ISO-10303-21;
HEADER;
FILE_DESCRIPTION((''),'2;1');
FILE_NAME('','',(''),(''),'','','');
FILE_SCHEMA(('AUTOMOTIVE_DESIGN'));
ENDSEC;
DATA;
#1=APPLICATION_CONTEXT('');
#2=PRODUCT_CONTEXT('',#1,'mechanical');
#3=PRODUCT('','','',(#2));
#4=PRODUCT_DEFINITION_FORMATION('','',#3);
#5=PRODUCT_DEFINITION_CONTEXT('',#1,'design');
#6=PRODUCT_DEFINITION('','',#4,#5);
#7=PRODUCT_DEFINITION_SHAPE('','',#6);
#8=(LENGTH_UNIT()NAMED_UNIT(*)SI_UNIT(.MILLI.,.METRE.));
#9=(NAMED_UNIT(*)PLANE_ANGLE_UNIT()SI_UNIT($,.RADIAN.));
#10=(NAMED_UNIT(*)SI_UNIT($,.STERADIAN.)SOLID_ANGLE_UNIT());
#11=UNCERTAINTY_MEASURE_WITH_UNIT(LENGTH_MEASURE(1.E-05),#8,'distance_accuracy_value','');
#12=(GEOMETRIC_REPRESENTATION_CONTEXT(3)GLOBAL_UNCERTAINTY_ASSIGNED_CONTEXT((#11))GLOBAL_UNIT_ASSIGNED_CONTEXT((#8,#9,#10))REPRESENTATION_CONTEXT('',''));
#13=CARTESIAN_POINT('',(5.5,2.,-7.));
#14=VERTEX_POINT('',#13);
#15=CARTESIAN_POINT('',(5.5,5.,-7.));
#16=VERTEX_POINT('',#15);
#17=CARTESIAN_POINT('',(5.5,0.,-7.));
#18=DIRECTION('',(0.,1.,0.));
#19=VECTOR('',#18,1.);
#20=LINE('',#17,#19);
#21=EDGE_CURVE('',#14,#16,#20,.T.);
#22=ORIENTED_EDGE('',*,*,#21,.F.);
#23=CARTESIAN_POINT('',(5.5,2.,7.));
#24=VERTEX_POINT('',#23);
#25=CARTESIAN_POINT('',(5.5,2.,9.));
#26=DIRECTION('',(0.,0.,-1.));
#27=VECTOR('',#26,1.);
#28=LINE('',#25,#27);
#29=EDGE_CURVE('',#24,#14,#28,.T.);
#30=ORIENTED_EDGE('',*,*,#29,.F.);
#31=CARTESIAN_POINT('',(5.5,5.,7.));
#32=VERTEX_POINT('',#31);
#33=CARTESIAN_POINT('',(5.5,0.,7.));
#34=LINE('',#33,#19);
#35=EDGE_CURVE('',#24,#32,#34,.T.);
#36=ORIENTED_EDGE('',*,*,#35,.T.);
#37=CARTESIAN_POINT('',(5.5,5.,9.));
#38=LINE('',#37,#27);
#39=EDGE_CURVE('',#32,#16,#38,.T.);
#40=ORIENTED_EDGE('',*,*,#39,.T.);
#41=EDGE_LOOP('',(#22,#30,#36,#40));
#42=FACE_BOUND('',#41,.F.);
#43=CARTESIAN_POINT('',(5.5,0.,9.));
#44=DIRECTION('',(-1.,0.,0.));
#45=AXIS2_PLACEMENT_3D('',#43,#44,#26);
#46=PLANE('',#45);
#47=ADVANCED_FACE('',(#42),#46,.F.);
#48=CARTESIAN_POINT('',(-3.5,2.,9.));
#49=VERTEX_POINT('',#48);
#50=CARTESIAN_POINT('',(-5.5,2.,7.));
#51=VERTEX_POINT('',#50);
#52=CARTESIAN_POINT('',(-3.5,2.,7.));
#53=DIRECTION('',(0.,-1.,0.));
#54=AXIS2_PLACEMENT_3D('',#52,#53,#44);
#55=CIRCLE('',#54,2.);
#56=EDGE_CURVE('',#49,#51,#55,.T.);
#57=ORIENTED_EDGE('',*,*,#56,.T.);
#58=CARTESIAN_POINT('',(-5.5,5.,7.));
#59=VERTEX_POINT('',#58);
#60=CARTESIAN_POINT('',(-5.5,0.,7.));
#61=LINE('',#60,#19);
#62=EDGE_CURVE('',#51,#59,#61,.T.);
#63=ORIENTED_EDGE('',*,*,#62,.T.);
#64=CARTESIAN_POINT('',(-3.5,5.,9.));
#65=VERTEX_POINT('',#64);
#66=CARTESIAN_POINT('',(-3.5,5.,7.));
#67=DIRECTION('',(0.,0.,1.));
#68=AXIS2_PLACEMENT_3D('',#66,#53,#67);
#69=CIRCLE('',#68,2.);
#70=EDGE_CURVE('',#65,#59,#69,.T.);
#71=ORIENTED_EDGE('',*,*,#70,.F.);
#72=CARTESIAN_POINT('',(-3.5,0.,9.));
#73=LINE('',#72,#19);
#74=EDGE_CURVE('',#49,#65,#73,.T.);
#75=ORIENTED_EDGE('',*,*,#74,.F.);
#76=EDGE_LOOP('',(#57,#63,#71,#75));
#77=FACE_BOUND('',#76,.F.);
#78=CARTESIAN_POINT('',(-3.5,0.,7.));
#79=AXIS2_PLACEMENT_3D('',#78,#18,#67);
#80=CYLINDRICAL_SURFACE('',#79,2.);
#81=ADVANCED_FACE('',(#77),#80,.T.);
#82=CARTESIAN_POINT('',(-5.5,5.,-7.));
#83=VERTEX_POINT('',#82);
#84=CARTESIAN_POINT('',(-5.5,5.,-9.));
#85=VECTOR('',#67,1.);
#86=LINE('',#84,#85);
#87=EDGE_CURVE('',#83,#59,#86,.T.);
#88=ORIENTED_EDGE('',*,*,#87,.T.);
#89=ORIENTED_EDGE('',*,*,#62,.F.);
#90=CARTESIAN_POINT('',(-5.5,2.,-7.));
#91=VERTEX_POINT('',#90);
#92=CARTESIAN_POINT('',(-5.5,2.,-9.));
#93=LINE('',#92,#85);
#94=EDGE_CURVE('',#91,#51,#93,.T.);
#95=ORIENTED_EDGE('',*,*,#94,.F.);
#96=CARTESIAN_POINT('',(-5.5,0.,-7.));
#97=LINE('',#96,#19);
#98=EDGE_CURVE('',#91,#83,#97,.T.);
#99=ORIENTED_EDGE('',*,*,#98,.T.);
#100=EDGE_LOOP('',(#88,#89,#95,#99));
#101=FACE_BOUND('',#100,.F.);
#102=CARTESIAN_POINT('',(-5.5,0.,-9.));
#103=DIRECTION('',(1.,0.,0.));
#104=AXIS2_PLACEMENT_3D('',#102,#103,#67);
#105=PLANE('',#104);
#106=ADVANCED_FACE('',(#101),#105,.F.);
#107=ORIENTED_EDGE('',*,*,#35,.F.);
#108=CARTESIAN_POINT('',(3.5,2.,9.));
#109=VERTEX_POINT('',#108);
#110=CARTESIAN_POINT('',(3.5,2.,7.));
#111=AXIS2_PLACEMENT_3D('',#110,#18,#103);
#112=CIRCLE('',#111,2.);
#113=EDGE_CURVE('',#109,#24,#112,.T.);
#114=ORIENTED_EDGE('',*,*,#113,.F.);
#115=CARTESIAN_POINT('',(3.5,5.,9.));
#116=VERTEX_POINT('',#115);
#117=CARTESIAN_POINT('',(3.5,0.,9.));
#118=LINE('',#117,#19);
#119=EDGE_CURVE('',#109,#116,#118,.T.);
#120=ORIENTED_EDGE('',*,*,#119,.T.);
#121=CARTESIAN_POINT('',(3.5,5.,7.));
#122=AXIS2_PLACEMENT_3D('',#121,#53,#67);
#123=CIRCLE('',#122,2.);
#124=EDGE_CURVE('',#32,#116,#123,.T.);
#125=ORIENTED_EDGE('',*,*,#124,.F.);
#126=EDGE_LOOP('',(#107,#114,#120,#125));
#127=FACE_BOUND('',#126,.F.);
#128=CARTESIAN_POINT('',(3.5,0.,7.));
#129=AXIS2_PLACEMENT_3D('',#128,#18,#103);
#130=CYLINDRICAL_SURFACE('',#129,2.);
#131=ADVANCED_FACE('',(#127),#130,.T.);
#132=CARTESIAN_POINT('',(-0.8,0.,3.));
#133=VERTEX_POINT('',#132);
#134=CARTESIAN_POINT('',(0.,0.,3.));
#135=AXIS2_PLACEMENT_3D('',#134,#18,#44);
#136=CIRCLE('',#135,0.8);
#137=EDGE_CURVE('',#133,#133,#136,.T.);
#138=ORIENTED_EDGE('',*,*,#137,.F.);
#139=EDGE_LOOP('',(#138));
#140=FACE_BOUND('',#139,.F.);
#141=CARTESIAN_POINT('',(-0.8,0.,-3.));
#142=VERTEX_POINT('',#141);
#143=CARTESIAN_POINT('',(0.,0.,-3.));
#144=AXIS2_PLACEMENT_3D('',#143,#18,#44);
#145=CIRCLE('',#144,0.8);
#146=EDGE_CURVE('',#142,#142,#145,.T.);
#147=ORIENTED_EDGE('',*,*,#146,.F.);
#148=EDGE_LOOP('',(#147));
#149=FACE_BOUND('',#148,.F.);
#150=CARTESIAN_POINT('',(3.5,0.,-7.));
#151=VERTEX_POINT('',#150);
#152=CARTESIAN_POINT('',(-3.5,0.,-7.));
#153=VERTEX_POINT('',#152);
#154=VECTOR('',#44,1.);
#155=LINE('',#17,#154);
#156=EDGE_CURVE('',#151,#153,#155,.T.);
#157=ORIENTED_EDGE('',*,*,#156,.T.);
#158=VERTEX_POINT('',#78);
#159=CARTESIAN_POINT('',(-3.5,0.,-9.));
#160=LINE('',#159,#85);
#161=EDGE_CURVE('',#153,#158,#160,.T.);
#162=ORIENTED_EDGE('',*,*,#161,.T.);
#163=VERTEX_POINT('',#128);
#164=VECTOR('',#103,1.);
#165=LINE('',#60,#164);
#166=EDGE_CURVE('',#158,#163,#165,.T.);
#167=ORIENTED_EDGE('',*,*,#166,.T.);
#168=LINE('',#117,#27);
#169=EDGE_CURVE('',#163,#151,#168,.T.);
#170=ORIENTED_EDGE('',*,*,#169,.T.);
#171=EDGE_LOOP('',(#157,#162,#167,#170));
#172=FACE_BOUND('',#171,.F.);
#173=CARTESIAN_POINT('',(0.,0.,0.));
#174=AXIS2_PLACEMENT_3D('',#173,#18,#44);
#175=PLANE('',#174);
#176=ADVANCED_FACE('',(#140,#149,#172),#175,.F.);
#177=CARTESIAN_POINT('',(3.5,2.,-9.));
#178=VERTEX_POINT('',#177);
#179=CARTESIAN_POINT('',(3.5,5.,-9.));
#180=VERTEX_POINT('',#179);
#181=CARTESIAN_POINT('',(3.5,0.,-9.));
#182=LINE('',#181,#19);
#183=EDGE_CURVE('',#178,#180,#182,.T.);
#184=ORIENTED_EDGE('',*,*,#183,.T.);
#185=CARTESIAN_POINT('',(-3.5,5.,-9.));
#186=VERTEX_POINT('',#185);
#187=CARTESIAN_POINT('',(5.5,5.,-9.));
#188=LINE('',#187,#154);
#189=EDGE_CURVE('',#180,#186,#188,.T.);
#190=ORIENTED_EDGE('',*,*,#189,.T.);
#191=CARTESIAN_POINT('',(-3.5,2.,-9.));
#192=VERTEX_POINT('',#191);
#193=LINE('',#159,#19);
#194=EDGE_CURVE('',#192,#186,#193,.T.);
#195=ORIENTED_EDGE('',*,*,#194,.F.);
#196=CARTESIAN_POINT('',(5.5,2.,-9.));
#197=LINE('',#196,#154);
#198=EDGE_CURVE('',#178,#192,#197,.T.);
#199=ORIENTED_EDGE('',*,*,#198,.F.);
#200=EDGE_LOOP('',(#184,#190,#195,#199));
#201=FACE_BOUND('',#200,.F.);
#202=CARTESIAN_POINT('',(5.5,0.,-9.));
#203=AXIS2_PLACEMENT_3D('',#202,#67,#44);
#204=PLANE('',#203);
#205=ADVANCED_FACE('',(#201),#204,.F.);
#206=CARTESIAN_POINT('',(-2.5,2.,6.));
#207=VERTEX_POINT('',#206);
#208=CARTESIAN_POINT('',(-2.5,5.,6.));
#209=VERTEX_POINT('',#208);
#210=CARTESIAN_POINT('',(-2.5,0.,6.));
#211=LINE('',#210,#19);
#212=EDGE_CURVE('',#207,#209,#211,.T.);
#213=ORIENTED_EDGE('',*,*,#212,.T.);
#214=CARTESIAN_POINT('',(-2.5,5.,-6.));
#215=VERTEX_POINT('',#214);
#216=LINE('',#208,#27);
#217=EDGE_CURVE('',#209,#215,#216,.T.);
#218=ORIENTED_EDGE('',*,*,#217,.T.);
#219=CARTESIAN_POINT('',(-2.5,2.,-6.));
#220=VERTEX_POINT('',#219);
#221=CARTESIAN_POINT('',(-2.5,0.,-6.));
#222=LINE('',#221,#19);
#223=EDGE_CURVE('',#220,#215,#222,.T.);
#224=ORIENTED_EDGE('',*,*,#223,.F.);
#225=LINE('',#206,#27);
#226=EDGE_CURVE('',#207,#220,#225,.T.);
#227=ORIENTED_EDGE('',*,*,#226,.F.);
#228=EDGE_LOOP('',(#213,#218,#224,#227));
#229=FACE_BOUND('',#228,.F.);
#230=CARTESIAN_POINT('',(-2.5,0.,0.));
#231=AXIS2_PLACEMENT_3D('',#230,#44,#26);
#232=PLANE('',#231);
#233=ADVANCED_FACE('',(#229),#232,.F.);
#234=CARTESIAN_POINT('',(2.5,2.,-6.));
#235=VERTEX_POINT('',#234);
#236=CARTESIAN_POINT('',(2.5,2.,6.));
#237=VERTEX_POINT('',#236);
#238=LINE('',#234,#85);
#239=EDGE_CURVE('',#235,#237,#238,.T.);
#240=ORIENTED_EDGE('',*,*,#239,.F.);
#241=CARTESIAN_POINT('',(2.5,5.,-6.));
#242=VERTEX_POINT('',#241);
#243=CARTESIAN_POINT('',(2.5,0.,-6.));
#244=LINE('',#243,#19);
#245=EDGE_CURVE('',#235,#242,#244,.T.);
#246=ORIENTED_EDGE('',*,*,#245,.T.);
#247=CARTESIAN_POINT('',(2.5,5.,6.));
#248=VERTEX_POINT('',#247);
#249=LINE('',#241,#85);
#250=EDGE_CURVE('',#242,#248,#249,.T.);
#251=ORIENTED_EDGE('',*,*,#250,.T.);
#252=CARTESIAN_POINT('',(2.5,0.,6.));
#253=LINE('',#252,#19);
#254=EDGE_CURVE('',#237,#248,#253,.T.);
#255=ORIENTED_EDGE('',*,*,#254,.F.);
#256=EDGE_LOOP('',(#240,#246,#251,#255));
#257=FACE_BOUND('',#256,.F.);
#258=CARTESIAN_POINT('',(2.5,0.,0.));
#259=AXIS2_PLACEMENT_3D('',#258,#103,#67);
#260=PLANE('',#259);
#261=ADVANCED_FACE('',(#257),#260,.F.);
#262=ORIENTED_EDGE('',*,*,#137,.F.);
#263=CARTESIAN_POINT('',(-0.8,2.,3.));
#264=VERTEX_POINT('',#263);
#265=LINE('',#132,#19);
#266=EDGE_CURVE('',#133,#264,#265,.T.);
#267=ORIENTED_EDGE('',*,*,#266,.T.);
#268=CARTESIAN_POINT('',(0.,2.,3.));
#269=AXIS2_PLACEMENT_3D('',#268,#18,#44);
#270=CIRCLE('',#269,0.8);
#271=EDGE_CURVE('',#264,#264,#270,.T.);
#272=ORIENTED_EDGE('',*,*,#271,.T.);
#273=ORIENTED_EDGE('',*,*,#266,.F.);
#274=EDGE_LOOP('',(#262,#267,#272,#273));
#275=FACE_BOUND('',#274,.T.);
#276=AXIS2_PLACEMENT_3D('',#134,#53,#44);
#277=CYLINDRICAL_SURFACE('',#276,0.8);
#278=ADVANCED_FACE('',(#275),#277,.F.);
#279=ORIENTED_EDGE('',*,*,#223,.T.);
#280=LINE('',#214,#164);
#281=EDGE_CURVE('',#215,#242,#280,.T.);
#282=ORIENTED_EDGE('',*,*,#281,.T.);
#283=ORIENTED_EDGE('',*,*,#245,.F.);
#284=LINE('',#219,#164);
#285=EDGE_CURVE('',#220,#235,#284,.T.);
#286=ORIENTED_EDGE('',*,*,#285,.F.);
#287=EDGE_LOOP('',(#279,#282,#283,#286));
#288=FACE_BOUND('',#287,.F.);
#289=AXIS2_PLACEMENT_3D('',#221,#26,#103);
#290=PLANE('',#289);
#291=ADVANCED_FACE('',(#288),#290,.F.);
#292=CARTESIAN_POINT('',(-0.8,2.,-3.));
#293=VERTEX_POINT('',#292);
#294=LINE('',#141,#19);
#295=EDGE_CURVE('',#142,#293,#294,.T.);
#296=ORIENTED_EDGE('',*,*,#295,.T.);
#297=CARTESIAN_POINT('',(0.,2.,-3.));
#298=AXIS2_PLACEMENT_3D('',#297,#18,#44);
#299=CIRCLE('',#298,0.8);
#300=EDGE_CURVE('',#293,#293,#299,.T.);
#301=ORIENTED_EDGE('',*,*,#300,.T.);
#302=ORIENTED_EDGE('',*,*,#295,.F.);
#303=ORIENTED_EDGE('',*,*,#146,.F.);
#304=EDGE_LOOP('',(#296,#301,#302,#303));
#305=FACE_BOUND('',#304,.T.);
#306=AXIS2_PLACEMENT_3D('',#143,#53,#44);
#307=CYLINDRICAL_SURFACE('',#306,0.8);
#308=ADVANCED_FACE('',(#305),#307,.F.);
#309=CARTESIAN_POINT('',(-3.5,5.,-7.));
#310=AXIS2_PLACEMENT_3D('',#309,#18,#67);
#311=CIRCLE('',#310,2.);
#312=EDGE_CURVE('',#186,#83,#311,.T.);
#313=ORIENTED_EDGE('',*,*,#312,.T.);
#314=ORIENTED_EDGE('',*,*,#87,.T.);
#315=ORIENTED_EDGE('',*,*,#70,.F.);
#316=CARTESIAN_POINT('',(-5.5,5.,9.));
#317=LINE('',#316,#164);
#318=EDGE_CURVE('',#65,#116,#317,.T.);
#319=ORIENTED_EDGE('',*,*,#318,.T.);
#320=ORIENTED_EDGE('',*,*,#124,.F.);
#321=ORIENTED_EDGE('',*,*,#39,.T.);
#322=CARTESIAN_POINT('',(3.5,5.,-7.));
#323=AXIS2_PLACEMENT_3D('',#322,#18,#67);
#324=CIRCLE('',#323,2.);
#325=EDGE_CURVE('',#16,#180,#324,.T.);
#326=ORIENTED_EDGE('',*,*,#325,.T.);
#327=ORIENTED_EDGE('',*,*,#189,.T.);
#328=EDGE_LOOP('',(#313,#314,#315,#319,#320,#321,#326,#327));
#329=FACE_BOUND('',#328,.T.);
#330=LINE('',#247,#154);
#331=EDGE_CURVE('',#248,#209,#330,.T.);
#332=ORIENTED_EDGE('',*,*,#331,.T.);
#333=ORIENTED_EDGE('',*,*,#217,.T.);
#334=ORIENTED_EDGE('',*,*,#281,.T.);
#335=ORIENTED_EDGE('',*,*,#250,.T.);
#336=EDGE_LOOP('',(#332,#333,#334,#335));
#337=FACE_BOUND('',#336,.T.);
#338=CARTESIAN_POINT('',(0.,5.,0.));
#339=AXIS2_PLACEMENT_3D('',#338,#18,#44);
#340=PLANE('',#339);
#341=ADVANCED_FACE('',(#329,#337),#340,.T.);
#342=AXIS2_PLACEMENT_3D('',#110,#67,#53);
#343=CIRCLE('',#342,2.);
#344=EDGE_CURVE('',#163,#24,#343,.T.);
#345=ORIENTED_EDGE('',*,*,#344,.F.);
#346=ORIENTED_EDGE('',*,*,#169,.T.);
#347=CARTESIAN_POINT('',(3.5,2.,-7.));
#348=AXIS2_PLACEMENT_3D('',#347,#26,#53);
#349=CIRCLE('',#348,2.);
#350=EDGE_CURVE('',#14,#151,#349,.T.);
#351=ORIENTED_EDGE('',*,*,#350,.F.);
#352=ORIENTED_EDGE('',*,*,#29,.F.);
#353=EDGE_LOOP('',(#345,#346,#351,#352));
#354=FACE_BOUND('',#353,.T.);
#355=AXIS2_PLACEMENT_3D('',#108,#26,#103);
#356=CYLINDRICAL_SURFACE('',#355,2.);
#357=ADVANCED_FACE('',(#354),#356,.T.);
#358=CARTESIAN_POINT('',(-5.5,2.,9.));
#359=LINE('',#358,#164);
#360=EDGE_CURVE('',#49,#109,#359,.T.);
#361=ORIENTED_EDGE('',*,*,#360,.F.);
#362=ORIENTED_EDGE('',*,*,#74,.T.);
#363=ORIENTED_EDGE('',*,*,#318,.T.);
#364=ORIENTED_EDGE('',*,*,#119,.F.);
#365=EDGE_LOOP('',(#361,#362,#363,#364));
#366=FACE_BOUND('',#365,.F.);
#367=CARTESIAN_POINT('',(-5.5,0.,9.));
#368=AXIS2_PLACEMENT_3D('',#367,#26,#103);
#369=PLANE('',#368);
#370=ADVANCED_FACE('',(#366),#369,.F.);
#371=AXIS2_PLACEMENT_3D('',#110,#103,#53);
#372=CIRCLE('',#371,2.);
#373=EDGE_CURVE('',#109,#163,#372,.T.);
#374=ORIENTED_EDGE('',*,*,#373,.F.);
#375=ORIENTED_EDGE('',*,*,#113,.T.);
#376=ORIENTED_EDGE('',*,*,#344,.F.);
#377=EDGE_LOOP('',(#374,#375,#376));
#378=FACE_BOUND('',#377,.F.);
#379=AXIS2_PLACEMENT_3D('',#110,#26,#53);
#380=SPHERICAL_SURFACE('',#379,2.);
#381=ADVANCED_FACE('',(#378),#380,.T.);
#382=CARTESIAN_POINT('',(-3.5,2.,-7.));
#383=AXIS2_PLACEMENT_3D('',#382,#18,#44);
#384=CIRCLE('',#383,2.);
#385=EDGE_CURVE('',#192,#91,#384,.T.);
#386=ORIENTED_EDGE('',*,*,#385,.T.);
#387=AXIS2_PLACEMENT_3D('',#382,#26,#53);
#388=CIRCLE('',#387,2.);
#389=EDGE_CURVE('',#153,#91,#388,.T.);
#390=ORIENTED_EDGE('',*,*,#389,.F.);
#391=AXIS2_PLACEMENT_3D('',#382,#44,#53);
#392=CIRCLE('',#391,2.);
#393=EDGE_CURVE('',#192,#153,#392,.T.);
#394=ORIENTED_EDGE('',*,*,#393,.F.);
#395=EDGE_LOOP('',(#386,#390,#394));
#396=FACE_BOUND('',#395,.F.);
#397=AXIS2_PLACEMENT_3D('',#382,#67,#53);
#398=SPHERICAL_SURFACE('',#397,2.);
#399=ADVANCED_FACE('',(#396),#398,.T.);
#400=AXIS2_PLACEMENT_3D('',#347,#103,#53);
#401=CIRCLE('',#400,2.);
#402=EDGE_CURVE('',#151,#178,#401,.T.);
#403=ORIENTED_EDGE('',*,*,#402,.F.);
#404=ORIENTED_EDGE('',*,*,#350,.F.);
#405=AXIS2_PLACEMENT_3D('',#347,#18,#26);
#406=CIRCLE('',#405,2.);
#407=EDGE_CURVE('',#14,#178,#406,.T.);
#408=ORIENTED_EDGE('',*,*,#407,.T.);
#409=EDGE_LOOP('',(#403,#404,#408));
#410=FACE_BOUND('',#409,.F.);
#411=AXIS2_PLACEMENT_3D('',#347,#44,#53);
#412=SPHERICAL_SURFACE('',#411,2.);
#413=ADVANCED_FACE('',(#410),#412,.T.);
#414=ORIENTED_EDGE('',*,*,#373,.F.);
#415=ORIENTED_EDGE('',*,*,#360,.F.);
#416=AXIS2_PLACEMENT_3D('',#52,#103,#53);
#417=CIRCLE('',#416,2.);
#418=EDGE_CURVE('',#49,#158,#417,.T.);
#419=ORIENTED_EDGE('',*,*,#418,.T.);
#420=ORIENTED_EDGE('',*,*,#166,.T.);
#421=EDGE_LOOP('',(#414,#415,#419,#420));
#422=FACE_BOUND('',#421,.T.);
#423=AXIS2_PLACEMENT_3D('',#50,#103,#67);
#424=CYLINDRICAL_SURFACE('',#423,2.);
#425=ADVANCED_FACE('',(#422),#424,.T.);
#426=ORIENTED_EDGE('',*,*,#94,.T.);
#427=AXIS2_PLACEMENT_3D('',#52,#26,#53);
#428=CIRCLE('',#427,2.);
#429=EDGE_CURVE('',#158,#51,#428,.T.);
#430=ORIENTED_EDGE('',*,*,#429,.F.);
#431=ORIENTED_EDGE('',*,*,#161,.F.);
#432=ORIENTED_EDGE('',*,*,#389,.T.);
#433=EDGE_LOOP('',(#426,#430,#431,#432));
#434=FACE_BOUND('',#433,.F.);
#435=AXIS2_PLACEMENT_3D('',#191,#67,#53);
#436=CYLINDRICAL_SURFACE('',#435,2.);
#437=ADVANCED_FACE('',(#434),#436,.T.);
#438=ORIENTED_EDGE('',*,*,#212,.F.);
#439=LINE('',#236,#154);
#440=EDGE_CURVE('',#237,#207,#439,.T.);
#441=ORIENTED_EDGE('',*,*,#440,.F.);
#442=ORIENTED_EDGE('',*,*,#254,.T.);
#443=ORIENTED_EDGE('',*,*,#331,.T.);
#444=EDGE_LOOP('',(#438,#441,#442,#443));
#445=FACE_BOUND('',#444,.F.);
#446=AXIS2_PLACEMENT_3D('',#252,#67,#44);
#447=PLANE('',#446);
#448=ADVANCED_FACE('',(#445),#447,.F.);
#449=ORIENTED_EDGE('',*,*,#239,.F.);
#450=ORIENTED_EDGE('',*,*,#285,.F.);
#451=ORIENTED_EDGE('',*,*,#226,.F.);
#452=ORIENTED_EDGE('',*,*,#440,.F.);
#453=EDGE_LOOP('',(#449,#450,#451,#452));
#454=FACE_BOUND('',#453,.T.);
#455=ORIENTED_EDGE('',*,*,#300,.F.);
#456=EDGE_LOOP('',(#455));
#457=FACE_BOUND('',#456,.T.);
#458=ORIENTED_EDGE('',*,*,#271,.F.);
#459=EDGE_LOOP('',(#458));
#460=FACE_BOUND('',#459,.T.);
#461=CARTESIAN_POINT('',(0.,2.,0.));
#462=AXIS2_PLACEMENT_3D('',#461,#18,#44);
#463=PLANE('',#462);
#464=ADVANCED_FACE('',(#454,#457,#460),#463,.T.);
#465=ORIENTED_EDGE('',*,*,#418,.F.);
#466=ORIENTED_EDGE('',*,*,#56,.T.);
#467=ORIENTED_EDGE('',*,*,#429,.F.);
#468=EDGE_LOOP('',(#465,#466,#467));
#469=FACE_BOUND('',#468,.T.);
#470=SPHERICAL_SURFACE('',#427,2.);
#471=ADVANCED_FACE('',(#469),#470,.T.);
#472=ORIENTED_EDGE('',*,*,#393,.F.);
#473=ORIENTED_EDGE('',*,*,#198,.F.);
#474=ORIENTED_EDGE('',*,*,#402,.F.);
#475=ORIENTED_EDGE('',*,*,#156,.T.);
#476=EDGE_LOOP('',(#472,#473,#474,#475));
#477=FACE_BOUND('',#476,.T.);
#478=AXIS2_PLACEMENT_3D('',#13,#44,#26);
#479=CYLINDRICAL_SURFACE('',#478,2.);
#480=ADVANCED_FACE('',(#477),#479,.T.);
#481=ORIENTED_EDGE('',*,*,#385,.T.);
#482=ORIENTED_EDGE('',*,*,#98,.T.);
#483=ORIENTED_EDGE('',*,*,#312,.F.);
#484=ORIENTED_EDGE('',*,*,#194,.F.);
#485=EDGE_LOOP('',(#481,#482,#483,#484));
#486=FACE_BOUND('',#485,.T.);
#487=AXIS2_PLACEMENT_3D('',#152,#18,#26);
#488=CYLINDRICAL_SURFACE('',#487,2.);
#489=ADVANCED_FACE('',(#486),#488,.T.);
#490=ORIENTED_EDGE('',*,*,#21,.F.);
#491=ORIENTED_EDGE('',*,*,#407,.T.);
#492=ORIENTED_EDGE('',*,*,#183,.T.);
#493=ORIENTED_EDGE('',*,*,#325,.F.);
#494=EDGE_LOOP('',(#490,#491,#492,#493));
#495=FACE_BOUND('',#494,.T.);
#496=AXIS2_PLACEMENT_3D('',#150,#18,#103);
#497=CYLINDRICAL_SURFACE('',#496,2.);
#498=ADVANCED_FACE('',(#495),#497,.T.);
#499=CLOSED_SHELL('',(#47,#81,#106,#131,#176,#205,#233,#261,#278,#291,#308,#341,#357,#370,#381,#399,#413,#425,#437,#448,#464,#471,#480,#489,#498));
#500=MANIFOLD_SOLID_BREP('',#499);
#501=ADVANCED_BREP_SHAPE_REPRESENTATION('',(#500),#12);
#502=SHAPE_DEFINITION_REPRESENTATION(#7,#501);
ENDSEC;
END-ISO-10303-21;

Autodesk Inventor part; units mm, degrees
ref_plane "YZ Plane" through (0, 0, 0) normal (1, 0, 0) x (0, 1, 0)
ref_plane "XZ Plane" through (0, 0, 0) normal (0, 1, 0) x (-1, 0, 0)
ref_plane "XY Plane" through (0, 0, 0) normal (0, 0, 1) x (1, 0, 0)
sketch "Sketch2" plane through (0, 0, 0) normal (0, 1, 0) x (-1, 0, 0)
  line L0 (-2.5, 6) -> (2.5, 6)
  line L1 (2.5, 6) -> (2.5, -6)
  line L2 (2.5, -6) -> (-2.5, -6)
  line L3 (-2.5, -6) -> (-2.5, 6)
  line L4 (-2.5, 6) -> (2.5, -6) construction
  line L5 (2.5, 6) -> (-2.5, -6) construction
  line L6 (2.5, 0) -> (-2.5, 0)
  circle A0 centre (0, 3) radius 0.8
  circle A1 centre (0, -3) radius 0.8
  line L7 (-5.5, -9) -> (5.5, -9)
  line L8 (5.5, -9) -> (5.5, 9)
  line L9 (5.5, 9) -> (-5.5, 9)
  line L10 (-5.5, 9) -> (-5.5, -9)
  line L11 (-5.5, -9) -> (5.5, 9) construction
  line L12 (5.5, -9) -> (-5.5, 9) construction
  point P0 (0, 0)
  dimension "d2" = 5
  dimension "d3" = 12
  dimension "d4" = 1.6
  dimension "d5" = 2.5
  dimension "d6" = 3
  dimension "d7" = 11
  dimension "d8" = 18
extrude "Extrusion2" add sketch "Sketch2" along normal blind 2 contours L0 L1 L6 L3 | L6 L1 L2 L3
extrude "Extrusion3" add sketch "Sketch2" along normal blind 5 contours L10 L9 L8 L7
fillet "Fillet1" radius 2 8 edges at (-5.5, 0, 0) (0, 0, -9) (5.5, 0, 0) (0, 0, 9) (-5.5, 2.5, -9) (-5.5, 2.5, 9) (5.5, 2.5, 9) (5.5, 2.5, -9)
sketch "Sketch4" plane through (-5.5, 0, -9) normal (-1, 0, 0) x (0, 0, 1)
  line L0 (0, 0) -> (18, 0) construction
  line L1 (18, 0) -> (18, 5) construction
  line L2 (0, 0) -> (18, 0) construction
  line L3 (18, 0) -> (18, 2) construction
  line L4 (18, 2) -> (0, 2) construction
  line L5 (0, 2) -> (0, 0) construction
  line L6 (9, 0) -> (9, 7)
  line L7 (0, 5) -> (18, 5) construction
  circle A0 centre (6, 4.5) radius 1
  circle A1 centre (12, 4.5) radius 1
  dimension "d13" = 2
  dimension "d15" = 2
  dimension "d16" = 6
  dimension "d17" = 2.5
properties part number "Part1_3DPrint"
